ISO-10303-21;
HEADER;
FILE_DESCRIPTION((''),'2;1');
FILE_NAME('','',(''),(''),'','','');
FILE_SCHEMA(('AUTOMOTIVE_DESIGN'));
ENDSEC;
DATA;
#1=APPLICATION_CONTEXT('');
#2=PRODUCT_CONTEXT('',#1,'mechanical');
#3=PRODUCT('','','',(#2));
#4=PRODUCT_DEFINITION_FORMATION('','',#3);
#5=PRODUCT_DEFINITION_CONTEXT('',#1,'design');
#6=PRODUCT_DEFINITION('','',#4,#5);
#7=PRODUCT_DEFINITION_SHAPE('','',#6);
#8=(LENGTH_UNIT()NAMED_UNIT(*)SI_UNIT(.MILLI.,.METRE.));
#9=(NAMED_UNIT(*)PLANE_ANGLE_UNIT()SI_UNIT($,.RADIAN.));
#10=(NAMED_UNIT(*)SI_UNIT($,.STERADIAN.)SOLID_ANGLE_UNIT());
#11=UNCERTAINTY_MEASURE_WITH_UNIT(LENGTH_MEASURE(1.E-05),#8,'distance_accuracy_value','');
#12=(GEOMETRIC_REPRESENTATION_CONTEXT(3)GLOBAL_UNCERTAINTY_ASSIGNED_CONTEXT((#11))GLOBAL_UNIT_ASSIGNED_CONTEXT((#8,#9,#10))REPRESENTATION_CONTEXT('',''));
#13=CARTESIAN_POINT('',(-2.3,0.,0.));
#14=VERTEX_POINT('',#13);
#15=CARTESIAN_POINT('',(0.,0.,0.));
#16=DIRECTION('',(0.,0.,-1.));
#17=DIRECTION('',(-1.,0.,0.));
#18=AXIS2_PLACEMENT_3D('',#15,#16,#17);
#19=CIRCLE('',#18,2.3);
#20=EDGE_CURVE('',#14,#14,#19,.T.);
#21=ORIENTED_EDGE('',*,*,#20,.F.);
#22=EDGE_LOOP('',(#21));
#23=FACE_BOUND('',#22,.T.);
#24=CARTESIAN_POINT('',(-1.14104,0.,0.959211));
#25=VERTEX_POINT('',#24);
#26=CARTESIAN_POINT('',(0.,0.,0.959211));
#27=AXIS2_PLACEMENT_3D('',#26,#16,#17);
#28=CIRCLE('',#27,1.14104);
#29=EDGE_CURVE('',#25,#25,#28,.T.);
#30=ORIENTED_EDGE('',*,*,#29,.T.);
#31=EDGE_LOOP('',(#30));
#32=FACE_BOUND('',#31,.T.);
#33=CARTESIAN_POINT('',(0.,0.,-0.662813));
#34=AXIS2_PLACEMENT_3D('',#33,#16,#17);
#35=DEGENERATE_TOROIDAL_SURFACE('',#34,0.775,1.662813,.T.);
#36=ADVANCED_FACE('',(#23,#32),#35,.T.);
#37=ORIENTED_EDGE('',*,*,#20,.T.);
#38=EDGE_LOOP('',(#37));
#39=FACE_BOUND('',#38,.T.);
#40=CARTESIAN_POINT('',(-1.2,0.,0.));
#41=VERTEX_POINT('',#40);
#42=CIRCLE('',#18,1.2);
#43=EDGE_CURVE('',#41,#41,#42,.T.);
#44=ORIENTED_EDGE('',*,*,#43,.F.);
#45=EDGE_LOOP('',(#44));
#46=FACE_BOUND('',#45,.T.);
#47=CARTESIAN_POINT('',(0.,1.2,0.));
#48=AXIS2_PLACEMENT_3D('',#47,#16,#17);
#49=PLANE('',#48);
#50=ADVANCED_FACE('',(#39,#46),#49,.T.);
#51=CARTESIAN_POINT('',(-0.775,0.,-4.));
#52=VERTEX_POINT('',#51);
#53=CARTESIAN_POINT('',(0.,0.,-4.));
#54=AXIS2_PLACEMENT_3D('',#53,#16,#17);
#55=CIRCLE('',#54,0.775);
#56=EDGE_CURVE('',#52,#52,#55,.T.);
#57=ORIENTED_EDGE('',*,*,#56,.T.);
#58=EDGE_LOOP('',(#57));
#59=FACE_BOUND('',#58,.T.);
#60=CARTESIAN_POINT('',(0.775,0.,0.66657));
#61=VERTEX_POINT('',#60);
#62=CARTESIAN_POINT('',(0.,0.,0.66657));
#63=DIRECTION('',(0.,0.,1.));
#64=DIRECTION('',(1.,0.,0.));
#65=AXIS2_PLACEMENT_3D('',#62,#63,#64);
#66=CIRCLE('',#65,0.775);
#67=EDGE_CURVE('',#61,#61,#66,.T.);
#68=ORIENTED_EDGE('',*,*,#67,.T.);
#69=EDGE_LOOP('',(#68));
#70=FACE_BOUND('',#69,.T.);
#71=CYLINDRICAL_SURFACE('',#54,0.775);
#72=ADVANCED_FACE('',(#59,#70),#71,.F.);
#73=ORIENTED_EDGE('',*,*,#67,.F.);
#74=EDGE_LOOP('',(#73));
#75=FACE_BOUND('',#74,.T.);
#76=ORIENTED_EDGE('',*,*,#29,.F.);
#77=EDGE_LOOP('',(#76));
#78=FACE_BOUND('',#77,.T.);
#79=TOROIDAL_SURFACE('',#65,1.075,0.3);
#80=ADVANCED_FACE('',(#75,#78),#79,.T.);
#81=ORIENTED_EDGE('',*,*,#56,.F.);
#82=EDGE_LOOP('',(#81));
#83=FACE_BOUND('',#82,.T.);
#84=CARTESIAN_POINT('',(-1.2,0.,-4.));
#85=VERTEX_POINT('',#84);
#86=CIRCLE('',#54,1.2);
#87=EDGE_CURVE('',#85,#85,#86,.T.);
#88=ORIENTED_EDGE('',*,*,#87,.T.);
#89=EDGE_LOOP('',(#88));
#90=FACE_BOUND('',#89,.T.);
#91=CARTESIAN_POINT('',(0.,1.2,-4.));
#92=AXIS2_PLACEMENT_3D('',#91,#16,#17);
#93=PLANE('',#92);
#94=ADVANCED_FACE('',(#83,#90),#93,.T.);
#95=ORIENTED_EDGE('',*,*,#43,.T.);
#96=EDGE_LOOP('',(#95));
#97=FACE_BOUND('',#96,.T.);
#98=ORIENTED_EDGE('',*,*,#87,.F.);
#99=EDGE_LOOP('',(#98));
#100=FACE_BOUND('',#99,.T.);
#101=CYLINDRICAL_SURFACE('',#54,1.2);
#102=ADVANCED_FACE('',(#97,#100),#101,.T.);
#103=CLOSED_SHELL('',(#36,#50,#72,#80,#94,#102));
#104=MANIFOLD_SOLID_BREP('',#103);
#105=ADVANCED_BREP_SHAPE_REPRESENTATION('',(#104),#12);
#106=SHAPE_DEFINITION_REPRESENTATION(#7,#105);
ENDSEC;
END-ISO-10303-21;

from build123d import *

# Parameters (mm, degrees)
FILLET_527_R = 0.3


with BuildPart() as part:
    # 草图1 → 旋转1 (revolve)
    with BuildSketch(Plane(origin=(0, 0, 0), x_dir=(0, 0, -1), z_dir=(1, 0, 0))):
        with BuildLine():
            Line((0, 1.2), (0, 2.3))
            ThreePointArc((0, 2.3), (-0.727705087, 1.686814811), (-1, 0.775))
            Line((-1, 0.775), (4, 0.775))
            Line((4, 0.775), (4, 1.2))
            Line((4, 1.2), (0, 1.2))
        make_face()
    revolve(axis=Axis((0, 0, -4), (0, 0, 1)))

    # Fillet 527
    fillet_527_edges = [part.edges().sort_by_distance(p)[0] for p in [
        (0, -0.775, 1),
    ]]
    fillet(fillet_527_edges, radius=FILLET_527_R)


solid = part.part
